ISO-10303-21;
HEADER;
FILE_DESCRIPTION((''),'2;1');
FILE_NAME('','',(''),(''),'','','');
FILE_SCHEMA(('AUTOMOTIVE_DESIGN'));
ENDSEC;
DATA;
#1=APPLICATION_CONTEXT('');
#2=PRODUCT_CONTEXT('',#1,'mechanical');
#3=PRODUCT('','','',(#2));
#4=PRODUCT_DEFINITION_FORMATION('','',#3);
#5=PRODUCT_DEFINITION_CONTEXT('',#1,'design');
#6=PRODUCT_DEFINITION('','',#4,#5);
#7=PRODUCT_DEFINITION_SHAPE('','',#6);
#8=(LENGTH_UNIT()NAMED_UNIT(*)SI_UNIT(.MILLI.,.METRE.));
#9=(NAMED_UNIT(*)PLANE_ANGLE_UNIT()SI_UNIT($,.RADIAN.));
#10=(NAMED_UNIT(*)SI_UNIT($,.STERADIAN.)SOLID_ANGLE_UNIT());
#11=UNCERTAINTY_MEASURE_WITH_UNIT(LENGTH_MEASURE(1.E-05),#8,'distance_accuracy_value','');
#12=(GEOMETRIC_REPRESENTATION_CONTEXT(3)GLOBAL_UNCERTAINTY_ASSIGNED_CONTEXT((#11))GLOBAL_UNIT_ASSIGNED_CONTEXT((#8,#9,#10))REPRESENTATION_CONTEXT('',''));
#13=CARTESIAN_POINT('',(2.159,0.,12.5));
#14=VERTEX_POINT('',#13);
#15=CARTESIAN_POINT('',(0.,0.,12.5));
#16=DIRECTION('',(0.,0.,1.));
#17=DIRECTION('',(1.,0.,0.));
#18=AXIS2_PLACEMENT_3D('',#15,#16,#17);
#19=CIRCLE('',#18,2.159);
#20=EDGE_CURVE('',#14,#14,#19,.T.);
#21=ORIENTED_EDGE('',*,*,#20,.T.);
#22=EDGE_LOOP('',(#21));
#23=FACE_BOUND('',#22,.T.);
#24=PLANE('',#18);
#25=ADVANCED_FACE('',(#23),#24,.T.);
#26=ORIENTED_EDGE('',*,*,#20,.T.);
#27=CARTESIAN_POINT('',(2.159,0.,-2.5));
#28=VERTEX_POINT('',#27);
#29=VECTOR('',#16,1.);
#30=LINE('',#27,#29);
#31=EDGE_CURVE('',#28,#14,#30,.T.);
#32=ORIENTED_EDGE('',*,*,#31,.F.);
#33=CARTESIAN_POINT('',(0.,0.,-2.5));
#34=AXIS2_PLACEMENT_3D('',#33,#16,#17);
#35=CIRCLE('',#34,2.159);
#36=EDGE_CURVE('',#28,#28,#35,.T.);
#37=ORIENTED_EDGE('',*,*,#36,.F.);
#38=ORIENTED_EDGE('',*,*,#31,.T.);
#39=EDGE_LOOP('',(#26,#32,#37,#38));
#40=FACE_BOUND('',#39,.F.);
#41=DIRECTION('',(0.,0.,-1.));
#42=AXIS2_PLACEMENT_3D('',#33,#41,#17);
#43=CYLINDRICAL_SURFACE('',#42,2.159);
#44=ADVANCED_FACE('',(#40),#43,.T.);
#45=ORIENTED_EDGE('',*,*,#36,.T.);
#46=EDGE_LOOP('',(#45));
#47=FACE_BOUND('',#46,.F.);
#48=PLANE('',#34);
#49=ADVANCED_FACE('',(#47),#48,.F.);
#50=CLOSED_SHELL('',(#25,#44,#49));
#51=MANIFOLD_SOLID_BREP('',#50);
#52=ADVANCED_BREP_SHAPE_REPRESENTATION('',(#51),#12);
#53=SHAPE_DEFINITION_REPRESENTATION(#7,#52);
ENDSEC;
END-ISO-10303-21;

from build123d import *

# Parameters (mm, degrees)
CYLINDER_R     = 2.159
CYLINDER_DEPTH = 15


with BuildPart() as part:
    # Cylinder → Cylinder (new body)
    with BuildSketch(Plane.XY.offset(-2.5)):
        Circle(CYLINDER_R)
    extrude(amount=CYLINDER_DEPTH)


solid = part.part
